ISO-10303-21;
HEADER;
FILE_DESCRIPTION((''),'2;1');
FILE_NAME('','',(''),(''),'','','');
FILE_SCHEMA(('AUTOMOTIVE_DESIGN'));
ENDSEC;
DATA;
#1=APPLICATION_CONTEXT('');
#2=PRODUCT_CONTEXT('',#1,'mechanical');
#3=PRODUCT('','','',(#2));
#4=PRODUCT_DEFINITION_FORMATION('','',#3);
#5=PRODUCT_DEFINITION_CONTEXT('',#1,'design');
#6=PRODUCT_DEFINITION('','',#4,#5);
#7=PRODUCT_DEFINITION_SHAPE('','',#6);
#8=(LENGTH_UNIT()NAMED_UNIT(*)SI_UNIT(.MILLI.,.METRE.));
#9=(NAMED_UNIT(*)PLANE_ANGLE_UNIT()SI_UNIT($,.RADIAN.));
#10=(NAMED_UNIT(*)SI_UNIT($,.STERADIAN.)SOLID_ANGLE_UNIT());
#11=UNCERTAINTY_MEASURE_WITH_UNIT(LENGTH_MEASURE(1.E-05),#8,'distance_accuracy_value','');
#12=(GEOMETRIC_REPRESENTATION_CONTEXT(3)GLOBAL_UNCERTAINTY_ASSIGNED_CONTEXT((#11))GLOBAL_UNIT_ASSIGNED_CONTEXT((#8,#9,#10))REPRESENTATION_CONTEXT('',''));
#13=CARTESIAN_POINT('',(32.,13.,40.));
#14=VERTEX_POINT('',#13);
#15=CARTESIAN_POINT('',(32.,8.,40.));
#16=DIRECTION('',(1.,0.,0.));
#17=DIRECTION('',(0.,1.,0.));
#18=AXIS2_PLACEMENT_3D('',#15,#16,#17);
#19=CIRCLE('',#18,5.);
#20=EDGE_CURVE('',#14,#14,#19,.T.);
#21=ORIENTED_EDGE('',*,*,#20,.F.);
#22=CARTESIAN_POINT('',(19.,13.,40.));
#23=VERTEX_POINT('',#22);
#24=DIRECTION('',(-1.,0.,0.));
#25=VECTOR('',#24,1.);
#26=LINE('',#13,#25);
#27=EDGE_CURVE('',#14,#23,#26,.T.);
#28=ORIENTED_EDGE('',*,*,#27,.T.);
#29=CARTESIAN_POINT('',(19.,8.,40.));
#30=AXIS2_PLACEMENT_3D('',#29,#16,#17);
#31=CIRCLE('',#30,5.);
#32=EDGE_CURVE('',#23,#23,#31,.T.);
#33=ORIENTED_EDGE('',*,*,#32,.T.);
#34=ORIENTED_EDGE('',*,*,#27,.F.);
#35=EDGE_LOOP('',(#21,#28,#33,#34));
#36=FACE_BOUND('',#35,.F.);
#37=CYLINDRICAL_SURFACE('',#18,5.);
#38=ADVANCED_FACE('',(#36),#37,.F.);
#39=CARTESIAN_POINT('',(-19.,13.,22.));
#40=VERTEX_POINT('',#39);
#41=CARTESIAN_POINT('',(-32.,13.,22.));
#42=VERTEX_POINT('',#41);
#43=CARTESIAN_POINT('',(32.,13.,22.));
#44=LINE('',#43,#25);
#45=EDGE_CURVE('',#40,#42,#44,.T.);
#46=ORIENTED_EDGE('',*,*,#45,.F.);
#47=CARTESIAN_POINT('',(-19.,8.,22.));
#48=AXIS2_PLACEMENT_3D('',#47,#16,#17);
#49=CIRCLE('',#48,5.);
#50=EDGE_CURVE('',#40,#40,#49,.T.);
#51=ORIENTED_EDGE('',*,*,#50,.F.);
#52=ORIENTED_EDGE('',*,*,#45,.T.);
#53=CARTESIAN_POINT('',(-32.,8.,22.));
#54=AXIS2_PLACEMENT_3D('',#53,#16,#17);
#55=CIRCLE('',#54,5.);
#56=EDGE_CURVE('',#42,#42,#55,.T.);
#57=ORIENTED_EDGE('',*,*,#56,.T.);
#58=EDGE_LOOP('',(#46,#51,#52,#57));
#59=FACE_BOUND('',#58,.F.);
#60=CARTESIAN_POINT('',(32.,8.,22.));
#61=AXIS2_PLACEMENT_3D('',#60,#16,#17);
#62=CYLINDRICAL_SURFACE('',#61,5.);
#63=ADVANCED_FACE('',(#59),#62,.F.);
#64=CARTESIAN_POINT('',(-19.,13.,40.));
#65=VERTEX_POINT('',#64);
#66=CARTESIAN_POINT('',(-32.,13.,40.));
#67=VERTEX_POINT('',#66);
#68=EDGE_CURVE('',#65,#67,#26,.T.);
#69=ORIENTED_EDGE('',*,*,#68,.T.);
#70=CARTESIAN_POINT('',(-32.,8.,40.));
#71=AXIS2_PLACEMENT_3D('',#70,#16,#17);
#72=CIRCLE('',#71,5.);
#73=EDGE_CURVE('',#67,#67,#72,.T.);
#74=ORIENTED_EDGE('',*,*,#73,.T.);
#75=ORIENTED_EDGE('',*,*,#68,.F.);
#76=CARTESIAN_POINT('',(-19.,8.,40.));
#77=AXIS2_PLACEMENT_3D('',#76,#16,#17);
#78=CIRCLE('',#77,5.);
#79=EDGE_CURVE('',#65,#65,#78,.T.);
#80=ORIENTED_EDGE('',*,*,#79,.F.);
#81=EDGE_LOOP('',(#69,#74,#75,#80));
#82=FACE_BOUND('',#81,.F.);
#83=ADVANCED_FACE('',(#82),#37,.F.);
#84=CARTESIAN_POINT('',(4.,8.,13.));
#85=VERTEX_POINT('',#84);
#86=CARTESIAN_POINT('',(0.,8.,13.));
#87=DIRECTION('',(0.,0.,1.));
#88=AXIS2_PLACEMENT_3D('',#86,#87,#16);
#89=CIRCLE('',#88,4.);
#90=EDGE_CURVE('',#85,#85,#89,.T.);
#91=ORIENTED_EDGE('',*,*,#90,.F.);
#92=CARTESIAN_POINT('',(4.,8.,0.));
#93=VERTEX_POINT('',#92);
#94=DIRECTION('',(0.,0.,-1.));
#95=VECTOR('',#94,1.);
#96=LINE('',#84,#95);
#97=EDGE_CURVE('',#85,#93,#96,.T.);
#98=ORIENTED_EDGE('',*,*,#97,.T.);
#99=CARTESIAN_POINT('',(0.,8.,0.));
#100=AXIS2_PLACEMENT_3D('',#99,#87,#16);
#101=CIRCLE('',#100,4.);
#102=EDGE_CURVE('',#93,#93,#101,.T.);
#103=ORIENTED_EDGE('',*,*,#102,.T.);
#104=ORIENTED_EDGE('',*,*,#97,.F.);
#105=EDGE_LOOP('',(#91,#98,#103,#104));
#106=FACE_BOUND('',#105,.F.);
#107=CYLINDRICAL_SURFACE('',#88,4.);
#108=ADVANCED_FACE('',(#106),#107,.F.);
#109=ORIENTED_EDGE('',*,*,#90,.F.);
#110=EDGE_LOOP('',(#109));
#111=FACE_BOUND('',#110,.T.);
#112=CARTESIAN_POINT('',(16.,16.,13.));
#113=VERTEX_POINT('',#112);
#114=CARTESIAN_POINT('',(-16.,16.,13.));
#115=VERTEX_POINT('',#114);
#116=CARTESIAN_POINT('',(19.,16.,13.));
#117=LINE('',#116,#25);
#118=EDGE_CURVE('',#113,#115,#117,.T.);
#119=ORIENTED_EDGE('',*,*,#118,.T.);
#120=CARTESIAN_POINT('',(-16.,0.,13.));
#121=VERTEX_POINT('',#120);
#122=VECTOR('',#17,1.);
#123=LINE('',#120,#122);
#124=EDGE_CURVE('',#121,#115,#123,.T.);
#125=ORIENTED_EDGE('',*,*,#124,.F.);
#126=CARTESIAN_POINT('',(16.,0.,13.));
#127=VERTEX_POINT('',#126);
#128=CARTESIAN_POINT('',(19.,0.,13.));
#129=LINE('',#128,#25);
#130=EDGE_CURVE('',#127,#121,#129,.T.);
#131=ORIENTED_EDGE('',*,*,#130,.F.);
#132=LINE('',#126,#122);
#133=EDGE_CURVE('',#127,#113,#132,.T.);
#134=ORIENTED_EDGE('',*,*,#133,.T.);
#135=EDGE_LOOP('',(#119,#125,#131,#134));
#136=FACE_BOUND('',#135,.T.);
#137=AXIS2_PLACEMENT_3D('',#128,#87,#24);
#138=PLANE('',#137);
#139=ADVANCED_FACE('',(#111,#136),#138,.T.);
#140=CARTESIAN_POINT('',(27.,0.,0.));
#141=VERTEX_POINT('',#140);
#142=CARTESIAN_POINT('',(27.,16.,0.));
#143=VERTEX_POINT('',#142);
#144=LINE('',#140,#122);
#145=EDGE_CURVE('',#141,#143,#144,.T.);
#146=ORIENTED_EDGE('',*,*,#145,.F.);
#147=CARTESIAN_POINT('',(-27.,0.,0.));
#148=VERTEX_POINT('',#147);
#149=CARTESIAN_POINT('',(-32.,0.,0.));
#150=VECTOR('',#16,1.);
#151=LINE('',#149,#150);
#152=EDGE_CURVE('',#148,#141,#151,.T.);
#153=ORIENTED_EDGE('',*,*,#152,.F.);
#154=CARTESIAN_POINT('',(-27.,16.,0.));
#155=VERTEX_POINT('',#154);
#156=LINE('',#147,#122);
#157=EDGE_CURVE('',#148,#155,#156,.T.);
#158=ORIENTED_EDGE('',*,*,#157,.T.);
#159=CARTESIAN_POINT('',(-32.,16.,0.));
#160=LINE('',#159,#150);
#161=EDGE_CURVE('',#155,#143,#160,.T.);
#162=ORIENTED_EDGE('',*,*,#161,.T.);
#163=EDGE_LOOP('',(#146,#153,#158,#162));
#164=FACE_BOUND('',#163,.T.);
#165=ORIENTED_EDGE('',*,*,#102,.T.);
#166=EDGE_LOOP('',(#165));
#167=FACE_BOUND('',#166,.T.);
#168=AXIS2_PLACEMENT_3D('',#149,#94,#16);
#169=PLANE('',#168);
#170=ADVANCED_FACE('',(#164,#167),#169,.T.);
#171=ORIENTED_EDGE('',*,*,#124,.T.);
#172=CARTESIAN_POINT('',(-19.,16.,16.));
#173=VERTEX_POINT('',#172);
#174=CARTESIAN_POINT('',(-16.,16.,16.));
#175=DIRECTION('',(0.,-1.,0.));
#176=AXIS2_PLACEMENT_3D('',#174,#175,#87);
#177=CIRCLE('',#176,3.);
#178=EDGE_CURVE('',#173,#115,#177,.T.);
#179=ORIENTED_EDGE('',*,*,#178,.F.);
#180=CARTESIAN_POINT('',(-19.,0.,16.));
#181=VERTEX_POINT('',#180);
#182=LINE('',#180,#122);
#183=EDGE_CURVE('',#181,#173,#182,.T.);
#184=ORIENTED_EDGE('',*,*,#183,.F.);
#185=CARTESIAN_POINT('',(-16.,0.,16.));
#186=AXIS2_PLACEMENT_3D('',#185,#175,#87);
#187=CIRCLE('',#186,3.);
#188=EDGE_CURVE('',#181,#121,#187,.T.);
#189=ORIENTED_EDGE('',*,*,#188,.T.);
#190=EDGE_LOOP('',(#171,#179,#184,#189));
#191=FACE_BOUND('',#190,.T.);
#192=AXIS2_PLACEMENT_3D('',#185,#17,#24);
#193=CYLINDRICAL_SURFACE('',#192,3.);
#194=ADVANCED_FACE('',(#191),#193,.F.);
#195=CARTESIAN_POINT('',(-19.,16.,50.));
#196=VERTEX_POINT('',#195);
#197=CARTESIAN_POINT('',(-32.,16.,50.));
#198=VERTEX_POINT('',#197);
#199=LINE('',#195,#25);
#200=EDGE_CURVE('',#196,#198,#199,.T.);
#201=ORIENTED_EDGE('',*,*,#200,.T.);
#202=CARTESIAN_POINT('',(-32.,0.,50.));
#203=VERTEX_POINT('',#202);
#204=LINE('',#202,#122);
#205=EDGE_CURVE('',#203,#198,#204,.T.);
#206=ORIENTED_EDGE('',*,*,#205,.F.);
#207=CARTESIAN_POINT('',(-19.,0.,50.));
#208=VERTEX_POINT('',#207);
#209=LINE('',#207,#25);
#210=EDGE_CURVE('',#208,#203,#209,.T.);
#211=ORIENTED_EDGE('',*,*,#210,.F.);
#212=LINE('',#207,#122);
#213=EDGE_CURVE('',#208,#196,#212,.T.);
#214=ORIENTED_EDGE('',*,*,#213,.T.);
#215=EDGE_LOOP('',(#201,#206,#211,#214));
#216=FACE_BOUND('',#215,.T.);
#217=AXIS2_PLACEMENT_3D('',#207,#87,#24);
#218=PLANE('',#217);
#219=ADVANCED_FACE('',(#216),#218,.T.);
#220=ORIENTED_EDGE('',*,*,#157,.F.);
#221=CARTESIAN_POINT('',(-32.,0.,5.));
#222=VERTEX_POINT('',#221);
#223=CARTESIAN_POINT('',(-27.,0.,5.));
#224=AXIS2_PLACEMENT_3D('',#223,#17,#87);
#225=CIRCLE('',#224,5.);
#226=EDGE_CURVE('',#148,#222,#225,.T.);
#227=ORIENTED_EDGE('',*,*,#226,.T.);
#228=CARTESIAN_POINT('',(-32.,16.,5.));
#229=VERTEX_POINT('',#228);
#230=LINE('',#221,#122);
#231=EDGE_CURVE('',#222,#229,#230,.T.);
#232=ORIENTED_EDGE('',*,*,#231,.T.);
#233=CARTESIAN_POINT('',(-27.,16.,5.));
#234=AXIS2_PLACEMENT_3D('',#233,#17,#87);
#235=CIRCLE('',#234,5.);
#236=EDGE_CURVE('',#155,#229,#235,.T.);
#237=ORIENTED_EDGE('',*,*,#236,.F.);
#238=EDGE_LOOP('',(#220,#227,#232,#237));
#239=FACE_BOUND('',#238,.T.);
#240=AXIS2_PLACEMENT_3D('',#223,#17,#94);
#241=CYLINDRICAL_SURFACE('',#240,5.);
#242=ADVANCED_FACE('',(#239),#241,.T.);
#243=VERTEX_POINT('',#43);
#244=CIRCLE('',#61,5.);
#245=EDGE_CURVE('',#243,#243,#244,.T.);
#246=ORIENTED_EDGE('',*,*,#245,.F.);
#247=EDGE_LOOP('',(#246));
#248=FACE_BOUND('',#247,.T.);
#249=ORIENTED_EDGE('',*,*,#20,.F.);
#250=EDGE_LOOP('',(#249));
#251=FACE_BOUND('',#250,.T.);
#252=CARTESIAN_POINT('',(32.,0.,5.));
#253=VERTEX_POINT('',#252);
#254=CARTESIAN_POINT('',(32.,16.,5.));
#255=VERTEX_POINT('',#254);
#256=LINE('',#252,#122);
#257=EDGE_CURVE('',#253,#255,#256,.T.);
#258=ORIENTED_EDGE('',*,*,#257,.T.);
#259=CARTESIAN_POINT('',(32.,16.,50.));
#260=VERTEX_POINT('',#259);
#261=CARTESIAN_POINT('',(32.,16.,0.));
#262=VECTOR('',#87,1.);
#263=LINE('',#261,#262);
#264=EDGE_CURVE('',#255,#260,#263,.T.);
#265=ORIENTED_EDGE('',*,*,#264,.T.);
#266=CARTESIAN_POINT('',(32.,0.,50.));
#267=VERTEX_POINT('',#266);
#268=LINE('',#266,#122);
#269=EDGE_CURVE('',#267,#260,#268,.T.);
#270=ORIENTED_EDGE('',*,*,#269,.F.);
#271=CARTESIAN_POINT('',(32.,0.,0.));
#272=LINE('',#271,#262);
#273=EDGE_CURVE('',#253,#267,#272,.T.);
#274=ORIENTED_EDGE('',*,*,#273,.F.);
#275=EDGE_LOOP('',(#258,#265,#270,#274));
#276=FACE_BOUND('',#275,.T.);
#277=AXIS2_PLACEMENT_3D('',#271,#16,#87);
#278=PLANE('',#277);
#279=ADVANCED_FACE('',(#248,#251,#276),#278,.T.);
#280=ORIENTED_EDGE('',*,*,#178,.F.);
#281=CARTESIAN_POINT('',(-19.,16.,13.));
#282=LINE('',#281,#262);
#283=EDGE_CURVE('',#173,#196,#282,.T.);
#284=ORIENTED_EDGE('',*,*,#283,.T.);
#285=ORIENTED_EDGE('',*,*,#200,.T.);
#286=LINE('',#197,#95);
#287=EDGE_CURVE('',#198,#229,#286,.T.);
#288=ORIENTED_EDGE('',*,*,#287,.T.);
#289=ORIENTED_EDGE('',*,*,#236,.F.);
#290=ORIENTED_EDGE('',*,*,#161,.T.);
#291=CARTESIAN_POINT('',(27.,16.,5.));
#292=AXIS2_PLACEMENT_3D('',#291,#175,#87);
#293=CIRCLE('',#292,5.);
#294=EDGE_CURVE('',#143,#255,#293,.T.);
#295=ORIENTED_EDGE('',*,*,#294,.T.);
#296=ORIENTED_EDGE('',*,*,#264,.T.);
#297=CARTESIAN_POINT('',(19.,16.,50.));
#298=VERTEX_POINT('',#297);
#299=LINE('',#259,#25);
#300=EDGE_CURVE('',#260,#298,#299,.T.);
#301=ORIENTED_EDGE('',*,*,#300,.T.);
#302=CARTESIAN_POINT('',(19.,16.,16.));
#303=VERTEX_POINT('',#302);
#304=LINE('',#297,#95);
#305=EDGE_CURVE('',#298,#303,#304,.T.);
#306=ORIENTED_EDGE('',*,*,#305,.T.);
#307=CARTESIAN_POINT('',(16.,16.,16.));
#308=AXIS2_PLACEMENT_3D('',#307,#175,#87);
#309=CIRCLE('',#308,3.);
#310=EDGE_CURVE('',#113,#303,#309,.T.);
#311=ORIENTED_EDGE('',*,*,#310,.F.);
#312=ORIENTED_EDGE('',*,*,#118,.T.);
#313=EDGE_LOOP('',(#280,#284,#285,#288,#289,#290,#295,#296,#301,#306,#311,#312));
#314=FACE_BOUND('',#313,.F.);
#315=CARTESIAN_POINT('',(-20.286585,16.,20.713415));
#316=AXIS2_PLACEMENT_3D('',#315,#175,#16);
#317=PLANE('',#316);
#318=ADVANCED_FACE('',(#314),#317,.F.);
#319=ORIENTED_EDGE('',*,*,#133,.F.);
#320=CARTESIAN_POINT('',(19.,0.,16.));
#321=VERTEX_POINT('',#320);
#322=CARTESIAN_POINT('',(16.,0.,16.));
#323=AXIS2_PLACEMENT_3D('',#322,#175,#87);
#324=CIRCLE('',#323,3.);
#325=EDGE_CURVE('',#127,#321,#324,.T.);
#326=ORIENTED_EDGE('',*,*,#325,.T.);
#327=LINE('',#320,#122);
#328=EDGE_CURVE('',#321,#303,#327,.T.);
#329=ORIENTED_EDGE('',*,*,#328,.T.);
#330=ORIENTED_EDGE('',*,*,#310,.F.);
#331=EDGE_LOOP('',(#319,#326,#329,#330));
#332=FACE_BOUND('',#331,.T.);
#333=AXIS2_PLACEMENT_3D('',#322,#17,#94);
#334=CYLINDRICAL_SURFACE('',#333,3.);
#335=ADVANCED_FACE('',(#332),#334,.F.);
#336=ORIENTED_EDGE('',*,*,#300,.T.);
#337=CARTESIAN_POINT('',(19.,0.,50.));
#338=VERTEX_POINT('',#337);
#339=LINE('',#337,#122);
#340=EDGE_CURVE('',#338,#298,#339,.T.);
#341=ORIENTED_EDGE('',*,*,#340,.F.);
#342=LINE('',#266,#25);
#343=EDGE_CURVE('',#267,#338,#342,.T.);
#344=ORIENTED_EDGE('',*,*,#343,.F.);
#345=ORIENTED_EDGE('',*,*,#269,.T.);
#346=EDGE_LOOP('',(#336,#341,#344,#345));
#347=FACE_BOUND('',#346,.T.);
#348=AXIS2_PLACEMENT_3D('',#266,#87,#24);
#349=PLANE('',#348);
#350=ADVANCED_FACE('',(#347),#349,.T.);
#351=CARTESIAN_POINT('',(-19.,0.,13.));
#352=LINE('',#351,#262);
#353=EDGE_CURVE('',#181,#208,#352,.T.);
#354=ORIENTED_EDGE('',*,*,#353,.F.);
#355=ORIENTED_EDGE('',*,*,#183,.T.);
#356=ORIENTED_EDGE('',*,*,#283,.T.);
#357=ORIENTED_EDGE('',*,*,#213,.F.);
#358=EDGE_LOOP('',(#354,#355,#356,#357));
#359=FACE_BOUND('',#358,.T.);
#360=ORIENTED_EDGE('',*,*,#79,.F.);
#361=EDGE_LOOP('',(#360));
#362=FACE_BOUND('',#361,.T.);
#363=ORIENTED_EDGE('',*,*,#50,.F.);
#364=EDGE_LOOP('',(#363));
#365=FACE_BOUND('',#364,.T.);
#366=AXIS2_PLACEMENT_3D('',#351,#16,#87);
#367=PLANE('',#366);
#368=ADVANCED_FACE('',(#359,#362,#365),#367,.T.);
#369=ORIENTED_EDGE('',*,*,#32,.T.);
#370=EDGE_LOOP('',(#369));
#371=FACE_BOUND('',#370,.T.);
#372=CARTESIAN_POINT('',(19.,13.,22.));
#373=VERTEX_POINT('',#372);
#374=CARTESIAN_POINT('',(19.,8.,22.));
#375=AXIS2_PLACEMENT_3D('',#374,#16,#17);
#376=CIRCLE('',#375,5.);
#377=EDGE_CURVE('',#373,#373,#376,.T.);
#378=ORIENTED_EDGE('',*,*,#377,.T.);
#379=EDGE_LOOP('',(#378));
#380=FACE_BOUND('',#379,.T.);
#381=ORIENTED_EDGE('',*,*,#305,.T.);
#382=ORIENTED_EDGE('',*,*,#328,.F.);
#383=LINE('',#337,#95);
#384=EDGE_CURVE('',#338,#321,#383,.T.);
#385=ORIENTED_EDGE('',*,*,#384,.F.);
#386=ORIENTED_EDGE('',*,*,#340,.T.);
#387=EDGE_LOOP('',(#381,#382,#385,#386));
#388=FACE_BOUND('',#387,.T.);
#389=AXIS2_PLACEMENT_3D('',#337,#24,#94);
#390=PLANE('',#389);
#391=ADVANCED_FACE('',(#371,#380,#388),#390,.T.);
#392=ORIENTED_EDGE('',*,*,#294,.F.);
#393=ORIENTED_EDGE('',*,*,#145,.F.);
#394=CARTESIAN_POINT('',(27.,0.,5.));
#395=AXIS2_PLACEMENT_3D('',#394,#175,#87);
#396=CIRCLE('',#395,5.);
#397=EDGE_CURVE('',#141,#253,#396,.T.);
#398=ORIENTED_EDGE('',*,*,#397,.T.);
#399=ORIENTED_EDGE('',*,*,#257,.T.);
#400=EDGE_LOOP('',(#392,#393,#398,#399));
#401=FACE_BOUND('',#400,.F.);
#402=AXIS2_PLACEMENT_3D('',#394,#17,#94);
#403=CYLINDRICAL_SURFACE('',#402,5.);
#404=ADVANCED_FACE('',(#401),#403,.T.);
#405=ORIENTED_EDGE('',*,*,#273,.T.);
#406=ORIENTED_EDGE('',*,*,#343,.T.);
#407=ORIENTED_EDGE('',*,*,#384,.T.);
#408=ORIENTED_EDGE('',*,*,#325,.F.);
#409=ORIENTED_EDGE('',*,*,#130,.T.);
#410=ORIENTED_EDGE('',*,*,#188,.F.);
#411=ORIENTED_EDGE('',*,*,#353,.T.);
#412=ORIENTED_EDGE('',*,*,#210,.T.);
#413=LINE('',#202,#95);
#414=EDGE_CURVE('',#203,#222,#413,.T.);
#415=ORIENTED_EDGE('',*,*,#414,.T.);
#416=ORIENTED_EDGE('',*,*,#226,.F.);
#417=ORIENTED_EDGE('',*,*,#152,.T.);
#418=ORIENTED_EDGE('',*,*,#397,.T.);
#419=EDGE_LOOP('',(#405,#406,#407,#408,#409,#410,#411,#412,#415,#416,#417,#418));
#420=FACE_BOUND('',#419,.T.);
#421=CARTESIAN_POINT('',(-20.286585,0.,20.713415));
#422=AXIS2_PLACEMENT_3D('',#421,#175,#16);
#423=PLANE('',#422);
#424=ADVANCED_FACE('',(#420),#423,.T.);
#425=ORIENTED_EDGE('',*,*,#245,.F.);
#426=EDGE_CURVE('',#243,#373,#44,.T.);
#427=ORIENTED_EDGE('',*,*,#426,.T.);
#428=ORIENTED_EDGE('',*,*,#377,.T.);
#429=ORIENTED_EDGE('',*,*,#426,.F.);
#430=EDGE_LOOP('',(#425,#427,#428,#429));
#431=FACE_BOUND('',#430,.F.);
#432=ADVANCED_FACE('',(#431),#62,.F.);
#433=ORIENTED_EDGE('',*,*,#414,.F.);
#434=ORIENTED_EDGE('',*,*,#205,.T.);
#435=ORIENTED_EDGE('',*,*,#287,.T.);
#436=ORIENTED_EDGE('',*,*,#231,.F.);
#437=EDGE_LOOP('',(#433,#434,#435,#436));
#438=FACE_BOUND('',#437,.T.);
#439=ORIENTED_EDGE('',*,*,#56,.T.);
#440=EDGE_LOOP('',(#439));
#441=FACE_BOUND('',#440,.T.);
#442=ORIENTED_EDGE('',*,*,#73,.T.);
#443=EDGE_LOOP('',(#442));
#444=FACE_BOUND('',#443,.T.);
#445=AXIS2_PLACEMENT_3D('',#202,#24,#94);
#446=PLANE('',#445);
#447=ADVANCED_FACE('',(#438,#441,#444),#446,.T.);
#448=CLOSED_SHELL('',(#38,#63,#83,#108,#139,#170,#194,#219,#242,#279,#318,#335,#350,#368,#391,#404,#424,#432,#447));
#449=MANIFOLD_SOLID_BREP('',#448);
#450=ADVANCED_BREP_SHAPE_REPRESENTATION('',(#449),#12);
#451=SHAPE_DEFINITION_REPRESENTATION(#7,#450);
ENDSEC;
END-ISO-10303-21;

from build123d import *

# Parameters (mm, degrees)
F1_DEPTH = 16
F2_R     = 4
F3_DEPTH = 13
F4_R     = 5
F5_DEPTH = 65
F6_R     = 5
F7_R     = 5
F8_R     = 3
F9_R     = 3


with BuildPart() as f1:
    # F0 (on Front) → F1 (new body)
    with BuildSketch(Plane.XZ):
        Polygon((-32, 0), (0, 0), (0, 13), (-19, 13), (-19, 50), (-32, 50), align=None)
        Polygon((0, 13), (0, 0), (32, 0), (32, 50), (19, 50), (19, 13), align=None)
    extrude(amount=-F1_DEPTH)

    # F2 (on face) → F3 (cut)
    with BuildSketch(Plane.XY.offset(13)):
        with Locations((0, 8)):
            Circle(F2_R)
    extrude(amount=-F3_DEPTH, mode=Mode.SUBTRACT)

    # F4 (on face) → F5 (cut)
    with BuildSketch(Plane.YZ.offset(32)):
        with Locations((8, 22)):
            Circle(F4_R)
        with Locations((8, 40)):
            Circle(F4_R)
    extrude(amount=-F5_DEPTH, mode=Mode.SUBTRACT)

    # F6
    f6_edges = [f1.edges().sort_by_distance(p)[0] for p in [
        (32, 8, 0),
    ]]
    fillet(f6_edges, radius=F6_R)

    # F7
    f7_edges = [f1.edges().sort_by_distance(p)[0] for p in [
        (-32, 8, 0),
    ]]
    fillet(f7_edges, radius=F7_R)

    # F8
    f8_edges = [f1.edges().sort_by_distance(p)[0] for p in [
        (-19, 8, 13),
    ]]
    fillet(f8_edges, radius=F8_R)

    # F9
    f9_edges = [f1.edges().sort_by_distance(p)[0] for p in [
        (19, 8, 13),
    ]]
    fillet(f9_edges, radius=F9_R)


solid = f1.part
